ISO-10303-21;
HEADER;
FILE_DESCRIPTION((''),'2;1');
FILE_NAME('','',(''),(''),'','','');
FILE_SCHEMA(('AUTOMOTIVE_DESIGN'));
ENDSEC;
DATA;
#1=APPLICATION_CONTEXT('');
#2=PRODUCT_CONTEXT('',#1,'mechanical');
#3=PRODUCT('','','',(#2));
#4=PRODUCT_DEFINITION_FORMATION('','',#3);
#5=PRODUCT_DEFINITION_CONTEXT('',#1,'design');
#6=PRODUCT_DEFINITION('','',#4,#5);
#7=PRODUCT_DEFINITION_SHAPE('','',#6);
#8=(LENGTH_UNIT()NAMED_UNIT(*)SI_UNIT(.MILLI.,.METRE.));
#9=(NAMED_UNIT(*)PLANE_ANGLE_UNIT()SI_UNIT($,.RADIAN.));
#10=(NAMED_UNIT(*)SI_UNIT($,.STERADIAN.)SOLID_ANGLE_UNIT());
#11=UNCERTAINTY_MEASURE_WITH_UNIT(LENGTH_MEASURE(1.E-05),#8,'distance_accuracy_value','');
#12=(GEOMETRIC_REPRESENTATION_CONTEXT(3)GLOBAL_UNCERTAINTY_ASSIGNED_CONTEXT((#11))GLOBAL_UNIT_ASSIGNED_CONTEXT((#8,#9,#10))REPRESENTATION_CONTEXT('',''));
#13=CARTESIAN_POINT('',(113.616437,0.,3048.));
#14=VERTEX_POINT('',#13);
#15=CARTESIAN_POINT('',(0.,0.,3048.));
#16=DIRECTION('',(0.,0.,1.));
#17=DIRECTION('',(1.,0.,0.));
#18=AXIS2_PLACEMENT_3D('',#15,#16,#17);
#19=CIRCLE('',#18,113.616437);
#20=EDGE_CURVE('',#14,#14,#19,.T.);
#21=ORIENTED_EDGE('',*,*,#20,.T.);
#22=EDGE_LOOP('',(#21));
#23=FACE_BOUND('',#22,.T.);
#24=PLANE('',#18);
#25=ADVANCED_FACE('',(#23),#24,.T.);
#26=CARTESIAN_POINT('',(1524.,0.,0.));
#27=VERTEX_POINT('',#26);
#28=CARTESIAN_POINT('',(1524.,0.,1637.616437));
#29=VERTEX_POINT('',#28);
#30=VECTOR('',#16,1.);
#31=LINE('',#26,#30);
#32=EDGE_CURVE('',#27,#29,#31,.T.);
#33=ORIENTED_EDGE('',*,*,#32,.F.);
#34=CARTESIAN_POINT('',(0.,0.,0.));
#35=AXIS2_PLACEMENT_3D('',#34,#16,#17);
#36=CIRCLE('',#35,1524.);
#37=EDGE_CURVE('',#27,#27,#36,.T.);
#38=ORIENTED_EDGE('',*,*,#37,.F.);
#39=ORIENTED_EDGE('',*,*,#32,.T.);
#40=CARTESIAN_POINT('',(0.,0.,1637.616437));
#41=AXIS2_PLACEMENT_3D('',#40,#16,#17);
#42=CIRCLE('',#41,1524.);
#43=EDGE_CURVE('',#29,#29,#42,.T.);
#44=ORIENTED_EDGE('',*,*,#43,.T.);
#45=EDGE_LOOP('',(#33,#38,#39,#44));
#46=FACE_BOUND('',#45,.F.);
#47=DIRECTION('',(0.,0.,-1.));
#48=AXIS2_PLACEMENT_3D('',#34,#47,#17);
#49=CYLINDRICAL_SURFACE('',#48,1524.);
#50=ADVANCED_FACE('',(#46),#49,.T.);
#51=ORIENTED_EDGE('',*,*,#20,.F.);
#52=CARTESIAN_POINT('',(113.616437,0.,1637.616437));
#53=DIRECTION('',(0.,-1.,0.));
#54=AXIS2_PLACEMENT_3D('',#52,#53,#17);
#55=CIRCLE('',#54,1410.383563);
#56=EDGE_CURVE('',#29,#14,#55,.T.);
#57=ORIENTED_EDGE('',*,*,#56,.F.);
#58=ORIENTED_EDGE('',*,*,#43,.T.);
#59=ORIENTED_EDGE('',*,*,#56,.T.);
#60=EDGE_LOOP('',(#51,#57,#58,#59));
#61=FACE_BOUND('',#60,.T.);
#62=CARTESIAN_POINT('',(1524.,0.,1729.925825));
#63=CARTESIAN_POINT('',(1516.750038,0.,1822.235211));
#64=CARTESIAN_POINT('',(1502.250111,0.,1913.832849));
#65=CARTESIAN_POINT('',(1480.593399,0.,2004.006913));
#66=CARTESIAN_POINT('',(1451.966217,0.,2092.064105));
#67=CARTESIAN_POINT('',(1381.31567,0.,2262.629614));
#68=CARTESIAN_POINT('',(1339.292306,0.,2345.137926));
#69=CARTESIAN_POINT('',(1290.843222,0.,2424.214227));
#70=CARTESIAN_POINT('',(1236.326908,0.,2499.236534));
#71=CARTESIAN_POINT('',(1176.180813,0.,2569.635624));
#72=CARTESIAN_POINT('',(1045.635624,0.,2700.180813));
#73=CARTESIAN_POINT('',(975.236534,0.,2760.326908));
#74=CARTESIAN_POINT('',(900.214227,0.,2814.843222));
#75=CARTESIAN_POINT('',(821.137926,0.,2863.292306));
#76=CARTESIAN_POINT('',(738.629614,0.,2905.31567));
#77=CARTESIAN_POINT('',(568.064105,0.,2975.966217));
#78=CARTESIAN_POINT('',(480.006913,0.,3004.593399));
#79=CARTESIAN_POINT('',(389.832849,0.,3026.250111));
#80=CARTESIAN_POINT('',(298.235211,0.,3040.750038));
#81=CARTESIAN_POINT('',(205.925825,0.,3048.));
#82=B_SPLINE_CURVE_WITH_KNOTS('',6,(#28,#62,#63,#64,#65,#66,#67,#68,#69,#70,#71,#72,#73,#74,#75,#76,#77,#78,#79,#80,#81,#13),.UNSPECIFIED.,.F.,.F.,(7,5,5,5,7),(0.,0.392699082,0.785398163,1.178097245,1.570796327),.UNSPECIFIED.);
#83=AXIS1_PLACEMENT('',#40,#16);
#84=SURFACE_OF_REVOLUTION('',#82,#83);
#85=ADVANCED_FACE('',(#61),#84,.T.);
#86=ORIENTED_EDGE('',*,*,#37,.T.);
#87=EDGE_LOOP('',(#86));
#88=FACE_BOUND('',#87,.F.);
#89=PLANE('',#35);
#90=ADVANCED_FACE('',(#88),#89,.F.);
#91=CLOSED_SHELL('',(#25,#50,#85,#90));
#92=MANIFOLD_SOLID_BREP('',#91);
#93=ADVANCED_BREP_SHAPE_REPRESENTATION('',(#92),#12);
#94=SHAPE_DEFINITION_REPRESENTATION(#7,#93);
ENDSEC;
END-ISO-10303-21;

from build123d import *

# Parameters (mm, degrees)
F0_R     = 1524
F1_DEPTH = 3048
F2_R     = 1410.383563
F3_W     = 1748.718023
F3_H     = 1376.689672
F3_W_2   = 549.016118
F4_DEPTH = 25.4


with BuildPart() as f1:
    # F0 (on Top) → F1 (new body)
    with BuildSketch(Plane.XY):
        Circle(F0_R)
    extrude(amount=F1_DEPTH)

    # F2
    f2_edges = [f1.edges().sort_by_distance(p)[0] for p in [
        (-1524, 0, 3048),
    ]]
    fillet(f2_edges, radius=F2_R)

    # F3 (on Front) → F4 (join)
    with BuildSketch(Plane.XZ):
        with Locations((276.331424, 688.344836)):
            Rectangle(F3_W, F3_H)
        with Locations((-872.535646, 688.344836)):
            Rectangle(F3_W_2, F3_H)
    extrude(amount=F4_DEPTH)


solid = f1.part
